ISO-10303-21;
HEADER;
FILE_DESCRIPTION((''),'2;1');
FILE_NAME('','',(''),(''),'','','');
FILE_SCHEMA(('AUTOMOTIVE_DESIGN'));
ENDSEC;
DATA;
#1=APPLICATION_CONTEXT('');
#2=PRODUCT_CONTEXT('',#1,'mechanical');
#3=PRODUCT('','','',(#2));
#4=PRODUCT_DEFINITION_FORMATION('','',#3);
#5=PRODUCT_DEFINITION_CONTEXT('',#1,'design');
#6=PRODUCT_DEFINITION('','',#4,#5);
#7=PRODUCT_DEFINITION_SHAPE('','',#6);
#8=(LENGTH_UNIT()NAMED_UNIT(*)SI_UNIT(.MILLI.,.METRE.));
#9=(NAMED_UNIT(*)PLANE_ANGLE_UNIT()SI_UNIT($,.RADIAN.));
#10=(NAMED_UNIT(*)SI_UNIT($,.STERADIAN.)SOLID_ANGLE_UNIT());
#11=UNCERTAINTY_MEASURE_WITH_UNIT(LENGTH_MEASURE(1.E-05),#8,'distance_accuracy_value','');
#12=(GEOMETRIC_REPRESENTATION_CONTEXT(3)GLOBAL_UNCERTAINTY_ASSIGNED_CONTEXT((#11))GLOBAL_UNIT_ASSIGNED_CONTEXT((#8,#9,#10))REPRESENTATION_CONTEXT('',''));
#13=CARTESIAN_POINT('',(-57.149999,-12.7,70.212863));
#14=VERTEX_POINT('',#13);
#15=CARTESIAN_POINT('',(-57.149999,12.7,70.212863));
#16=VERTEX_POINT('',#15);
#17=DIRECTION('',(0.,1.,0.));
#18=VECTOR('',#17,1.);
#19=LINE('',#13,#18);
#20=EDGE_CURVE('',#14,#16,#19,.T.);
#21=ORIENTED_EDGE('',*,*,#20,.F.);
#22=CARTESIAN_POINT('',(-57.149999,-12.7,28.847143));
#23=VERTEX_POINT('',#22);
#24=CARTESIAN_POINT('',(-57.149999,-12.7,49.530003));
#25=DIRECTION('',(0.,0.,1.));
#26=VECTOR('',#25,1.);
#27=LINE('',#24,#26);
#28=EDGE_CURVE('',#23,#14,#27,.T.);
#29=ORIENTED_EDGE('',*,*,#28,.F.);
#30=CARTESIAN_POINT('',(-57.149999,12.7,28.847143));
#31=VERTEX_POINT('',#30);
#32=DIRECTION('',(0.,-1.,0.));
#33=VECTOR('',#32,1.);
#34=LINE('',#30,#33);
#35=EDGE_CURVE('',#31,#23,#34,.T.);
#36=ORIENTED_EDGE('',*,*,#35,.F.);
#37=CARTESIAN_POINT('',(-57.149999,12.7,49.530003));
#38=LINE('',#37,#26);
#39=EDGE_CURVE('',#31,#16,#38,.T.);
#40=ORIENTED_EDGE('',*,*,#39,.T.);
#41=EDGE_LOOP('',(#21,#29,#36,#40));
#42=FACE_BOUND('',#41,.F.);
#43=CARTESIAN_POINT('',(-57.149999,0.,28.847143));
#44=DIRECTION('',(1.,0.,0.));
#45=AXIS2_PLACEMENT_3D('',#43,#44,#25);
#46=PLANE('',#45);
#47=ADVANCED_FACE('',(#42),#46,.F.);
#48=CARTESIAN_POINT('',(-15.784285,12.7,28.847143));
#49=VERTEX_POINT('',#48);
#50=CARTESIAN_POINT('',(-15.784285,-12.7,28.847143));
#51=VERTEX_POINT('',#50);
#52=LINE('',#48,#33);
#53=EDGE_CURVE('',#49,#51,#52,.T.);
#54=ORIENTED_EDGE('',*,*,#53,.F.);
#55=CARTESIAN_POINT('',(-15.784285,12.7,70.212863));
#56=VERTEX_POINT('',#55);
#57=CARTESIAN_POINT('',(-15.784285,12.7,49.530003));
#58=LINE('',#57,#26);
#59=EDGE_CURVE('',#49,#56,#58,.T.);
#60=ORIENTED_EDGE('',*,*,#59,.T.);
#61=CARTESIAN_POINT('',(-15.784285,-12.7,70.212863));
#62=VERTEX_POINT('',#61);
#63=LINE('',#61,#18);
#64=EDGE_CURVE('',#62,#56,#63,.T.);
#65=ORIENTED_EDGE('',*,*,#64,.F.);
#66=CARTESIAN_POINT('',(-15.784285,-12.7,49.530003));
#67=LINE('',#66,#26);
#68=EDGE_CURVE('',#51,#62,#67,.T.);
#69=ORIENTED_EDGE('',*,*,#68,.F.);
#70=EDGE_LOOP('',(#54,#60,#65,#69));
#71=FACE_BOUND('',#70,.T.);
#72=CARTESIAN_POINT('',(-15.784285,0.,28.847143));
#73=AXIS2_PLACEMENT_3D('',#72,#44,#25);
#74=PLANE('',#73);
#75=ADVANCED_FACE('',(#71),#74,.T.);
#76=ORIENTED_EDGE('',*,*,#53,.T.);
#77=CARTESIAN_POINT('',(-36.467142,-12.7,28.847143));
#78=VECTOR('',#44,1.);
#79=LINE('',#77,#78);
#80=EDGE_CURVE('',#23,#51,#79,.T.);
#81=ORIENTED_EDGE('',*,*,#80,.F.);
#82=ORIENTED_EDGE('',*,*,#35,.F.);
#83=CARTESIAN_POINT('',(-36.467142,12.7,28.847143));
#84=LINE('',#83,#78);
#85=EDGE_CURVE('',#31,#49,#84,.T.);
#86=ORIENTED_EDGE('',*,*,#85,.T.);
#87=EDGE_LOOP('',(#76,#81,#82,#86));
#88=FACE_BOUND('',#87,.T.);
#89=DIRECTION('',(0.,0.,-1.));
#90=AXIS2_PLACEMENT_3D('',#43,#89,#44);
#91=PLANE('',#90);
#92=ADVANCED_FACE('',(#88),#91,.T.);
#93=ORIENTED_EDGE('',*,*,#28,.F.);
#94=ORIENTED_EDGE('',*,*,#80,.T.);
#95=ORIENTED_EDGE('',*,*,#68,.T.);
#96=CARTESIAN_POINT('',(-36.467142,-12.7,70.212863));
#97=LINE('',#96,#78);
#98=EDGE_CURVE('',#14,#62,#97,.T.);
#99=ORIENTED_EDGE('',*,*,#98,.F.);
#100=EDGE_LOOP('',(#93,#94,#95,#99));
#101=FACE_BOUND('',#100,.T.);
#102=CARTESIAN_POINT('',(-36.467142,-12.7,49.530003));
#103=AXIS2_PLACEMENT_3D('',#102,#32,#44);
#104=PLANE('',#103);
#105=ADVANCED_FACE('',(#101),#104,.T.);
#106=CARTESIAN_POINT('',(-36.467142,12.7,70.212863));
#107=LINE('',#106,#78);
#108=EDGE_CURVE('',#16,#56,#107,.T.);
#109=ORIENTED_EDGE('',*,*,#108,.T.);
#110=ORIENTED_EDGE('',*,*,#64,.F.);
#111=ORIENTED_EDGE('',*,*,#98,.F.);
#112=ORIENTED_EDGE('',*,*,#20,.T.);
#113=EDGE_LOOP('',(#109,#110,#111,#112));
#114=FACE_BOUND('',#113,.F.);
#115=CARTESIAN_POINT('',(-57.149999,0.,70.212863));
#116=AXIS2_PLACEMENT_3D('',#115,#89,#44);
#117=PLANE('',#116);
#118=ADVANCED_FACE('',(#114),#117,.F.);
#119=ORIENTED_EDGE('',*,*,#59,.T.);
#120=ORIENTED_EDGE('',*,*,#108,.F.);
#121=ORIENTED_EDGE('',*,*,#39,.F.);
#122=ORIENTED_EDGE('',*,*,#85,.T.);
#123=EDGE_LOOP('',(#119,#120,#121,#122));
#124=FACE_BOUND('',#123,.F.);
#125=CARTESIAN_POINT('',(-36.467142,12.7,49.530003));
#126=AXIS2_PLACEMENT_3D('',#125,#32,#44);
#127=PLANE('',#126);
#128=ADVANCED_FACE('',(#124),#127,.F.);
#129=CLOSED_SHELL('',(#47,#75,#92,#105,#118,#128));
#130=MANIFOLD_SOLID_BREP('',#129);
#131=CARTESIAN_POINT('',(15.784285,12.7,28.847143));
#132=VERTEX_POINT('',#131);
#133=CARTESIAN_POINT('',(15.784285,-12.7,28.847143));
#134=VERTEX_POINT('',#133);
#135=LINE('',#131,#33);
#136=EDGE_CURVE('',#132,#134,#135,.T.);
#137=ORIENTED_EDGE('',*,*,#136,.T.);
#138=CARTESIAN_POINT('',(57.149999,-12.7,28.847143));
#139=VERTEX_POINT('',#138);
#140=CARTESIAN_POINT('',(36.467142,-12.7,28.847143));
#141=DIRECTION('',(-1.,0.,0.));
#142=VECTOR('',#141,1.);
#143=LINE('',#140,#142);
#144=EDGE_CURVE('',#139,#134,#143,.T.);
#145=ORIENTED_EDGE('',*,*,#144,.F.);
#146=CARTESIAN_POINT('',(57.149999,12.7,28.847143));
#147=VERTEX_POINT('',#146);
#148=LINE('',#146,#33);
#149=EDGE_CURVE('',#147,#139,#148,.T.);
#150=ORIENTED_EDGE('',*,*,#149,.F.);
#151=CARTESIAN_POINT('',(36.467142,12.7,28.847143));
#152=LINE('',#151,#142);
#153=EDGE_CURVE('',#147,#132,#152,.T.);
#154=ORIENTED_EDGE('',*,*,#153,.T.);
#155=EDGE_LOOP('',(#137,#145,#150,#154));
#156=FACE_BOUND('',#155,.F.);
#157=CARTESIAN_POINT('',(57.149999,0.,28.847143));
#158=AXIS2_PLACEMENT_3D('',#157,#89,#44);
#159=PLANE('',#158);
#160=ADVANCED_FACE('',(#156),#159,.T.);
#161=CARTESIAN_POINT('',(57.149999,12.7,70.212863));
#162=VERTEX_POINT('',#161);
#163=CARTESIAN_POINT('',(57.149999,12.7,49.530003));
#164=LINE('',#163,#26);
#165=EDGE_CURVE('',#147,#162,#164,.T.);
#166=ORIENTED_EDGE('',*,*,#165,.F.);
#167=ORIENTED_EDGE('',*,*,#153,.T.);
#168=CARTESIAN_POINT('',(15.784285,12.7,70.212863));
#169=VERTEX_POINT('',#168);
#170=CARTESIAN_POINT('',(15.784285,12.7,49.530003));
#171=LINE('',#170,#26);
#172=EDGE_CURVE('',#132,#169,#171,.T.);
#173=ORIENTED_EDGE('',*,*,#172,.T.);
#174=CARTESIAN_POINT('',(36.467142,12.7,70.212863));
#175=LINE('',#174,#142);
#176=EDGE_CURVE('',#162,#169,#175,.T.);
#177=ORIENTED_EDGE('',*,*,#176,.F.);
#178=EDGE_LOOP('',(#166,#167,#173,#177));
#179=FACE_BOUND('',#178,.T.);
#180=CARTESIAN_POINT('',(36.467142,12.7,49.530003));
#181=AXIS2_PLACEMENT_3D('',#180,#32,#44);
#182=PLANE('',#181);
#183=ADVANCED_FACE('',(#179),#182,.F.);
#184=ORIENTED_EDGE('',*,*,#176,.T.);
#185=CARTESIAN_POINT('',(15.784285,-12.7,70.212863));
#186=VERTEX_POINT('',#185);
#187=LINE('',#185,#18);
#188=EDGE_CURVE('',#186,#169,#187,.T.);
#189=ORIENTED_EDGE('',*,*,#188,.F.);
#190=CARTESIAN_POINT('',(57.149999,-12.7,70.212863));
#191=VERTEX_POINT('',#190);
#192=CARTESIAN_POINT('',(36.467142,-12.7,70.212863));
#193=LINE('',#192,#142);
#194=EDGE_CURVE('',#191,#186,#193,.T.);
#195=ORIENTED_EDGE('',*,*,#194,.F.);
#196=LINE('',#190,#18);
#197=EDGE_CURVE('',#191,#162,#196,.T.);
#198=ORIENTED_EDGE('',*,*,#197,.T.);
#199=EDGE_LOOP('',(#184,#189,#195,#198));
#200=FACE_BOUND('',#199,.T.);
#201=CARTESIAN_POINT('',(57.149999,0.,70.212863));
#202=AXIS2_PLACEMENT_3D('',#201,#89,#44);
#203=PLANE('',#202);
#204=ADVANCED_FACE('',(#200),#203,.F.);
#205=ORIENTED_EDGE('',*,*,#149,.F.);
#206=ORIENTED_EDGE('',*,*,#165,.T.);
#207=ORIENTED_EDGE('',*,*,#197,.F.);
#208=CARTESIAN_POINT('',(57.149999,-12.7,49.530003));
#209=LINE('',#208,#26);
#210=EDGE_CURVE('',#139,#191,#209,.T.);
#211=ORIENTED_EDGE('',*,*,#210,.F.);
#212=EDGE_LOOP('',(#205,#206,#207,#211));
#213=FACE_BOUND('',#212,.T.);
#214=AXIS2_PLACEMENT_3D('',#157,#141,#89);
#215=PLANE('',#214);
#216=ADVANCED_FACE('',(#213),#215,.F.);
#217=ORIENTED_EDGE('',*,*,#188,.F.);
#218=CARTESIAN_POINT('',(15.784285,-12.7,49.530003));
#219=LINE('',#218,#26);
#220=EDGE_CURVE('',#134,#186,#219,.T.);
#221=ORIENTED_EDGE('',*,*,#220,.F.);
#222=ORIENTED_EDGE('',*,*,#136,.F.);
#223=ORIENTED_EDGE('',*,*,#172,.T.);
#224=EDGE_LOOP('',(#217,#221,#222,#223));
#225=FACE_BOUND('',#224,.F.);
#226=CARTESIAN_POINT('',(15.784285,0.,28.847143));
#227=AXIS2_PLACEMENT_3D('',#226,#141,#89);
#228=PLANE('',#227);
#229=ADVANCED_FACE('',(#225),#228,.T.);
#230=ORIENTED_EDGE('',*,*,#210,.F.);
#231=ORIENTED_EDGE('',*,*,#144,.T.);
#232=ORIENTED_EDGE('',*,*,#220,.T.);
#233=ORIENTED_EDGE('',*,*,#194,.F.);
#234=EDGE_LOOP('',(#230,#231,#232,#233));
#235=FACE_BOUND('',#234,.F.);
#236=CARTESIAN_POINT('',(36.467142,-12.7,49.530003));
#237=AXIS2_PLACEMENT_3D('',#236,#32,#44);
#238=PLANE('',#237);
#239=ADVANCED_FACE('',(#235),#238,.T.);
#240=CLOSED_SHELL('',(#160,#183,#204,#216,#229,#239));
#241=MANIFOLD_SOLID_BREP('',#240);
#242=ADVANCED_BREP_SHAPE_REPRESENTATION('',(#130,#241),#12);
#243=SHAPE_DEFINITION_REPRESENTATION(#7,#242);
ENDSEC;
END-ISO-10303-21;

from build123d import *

# Parameters (mm, degrees)
F0_W     = 41.365713
F0_H     = 41.36572
F1_DEPTH = 12.7


with BuildPart() as f1:
    # F0 (on Front) → F1 (new body, symmetric)
    with BuildSketch(Plane.XZ):
        with Locations((-36.467142, 49.530003)):
            Rectangle(F0_W, F0_H)
    extrude(amount=F1_DEPTH, both=True)


with BuildPart() as f2_1:
    # F2: instance of F1
    add(f1.part.mirror(Plane.YZ))


solid = Compound([f1.part, f2_1.part])
